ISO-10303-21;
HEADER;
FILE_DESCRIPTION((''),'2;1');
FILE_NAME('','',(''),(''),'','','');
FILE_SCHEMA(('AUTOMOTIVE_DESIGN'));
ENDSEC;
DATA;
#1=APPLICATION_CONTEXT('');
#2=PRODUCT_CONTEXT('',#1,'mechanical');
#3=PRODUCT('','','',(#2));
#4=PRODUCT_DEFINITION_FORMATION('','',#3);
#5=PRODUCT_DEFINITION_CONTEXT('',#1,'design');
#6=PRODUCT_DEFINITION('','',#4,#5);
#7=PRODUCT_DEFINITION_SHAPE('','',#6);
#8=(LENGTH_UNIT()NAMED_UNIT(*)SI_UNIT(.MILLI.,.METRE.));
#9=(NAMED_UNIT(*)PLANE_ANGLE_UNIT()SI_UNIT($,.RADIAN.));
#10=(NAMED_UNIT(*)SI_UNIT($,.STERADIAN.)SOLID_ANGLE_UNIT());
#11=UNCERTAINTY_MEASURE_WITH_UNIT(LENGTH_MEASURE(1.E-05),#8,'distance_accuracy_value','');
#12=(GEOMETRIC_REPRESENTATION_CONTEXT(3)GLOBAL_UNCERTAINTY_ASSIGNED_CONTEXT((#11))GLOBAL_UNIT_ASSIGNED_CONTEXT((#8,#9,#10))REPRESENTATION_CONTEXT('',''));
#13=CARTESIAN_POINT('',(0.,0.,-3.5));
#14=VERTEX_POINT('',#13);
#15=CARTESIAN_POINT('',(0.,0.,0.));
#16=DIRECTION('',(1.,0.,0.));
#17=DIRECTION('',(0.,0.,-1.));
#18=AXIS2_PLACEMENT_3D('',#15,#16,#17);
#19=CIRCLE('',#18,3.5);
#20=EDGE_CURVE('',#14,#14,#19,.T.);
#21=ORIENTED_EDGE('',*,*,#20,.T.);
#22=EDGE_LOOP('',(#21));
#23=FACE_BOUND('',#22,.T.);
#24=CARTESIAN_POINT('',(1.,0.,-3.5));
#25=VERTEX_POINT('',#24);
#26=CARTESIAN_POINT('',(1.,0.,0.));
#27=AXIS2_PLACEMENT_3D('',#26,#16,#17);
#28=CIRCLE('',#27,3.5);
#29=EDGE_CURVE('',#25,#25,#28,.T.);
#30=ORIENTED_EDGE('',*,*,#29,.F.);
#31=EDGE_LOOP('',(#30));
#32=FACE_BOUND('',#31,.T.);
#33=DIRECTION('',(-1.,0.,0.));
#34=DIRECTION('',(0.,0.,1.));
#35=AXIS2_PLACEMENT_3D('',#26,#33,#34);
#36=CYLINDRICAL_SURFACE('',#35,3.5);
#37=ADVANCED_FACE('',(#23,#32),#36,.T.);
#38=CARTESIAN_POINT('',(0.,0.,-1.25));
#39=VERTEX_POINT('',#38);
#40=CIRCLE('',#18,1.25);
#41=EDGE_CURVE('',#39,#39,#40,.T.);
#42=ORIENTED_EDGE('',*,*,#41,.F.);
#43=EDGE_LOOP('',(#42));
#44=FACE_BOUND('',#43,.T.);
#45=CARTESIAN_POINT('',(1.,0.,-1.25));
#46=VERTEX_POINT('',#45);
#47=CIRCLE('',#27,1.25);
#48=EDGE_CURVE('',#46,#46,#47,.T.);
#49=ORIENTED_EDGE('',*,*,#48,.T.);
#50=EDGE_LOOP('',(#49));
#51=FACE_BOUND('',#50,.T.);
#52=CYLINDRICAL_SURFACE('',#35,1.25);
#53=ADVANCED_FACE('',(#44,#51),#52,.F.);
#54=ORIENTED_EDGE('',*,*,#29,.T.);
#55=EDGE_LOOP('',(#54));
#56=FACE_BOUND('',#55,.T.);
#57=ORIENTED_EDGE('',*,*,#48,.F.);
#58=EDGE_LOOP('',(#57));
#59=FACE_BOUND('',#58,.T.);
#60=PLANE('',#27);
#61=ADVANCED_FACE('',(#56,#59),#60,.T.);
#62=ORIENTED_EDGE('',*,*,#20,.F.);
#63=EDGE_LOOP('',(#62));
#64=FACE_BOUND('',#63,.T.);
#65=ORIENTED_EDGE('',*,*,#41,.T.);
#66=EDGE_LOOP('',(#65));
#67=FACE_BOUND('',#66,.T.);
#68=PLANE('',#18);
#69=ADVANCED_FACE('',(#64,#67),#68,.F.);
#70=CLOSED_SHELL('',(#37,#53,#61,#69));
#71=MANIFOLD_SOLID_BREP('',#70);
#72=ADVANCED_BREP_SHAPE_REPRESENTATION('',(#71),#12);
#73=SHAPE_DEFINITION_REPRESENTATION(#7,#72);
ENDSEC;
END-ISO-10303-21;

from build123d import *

# Parameters (mm, degrees)
SKETCH1_R          = 3.5
SKETCH1_R_2        = 1.25
BASE_EXTRUDE_DEPTH = 1


with BuildPart() as part:
    # Sketch1 → Base-Extrude (new body)
    with BuildSketch(Plane(origin=(0, 0, 0), x_dir=(0, 0, -1), z_dir=(1, 0, 0))):
        Circle(SKETCH1_R)
        Circle(SKETCH1_R_2, mode=Mode.SUBTRACT)
    extrude(amount=BASE_EXTRUDE_DEPTH)


solid = part.part
